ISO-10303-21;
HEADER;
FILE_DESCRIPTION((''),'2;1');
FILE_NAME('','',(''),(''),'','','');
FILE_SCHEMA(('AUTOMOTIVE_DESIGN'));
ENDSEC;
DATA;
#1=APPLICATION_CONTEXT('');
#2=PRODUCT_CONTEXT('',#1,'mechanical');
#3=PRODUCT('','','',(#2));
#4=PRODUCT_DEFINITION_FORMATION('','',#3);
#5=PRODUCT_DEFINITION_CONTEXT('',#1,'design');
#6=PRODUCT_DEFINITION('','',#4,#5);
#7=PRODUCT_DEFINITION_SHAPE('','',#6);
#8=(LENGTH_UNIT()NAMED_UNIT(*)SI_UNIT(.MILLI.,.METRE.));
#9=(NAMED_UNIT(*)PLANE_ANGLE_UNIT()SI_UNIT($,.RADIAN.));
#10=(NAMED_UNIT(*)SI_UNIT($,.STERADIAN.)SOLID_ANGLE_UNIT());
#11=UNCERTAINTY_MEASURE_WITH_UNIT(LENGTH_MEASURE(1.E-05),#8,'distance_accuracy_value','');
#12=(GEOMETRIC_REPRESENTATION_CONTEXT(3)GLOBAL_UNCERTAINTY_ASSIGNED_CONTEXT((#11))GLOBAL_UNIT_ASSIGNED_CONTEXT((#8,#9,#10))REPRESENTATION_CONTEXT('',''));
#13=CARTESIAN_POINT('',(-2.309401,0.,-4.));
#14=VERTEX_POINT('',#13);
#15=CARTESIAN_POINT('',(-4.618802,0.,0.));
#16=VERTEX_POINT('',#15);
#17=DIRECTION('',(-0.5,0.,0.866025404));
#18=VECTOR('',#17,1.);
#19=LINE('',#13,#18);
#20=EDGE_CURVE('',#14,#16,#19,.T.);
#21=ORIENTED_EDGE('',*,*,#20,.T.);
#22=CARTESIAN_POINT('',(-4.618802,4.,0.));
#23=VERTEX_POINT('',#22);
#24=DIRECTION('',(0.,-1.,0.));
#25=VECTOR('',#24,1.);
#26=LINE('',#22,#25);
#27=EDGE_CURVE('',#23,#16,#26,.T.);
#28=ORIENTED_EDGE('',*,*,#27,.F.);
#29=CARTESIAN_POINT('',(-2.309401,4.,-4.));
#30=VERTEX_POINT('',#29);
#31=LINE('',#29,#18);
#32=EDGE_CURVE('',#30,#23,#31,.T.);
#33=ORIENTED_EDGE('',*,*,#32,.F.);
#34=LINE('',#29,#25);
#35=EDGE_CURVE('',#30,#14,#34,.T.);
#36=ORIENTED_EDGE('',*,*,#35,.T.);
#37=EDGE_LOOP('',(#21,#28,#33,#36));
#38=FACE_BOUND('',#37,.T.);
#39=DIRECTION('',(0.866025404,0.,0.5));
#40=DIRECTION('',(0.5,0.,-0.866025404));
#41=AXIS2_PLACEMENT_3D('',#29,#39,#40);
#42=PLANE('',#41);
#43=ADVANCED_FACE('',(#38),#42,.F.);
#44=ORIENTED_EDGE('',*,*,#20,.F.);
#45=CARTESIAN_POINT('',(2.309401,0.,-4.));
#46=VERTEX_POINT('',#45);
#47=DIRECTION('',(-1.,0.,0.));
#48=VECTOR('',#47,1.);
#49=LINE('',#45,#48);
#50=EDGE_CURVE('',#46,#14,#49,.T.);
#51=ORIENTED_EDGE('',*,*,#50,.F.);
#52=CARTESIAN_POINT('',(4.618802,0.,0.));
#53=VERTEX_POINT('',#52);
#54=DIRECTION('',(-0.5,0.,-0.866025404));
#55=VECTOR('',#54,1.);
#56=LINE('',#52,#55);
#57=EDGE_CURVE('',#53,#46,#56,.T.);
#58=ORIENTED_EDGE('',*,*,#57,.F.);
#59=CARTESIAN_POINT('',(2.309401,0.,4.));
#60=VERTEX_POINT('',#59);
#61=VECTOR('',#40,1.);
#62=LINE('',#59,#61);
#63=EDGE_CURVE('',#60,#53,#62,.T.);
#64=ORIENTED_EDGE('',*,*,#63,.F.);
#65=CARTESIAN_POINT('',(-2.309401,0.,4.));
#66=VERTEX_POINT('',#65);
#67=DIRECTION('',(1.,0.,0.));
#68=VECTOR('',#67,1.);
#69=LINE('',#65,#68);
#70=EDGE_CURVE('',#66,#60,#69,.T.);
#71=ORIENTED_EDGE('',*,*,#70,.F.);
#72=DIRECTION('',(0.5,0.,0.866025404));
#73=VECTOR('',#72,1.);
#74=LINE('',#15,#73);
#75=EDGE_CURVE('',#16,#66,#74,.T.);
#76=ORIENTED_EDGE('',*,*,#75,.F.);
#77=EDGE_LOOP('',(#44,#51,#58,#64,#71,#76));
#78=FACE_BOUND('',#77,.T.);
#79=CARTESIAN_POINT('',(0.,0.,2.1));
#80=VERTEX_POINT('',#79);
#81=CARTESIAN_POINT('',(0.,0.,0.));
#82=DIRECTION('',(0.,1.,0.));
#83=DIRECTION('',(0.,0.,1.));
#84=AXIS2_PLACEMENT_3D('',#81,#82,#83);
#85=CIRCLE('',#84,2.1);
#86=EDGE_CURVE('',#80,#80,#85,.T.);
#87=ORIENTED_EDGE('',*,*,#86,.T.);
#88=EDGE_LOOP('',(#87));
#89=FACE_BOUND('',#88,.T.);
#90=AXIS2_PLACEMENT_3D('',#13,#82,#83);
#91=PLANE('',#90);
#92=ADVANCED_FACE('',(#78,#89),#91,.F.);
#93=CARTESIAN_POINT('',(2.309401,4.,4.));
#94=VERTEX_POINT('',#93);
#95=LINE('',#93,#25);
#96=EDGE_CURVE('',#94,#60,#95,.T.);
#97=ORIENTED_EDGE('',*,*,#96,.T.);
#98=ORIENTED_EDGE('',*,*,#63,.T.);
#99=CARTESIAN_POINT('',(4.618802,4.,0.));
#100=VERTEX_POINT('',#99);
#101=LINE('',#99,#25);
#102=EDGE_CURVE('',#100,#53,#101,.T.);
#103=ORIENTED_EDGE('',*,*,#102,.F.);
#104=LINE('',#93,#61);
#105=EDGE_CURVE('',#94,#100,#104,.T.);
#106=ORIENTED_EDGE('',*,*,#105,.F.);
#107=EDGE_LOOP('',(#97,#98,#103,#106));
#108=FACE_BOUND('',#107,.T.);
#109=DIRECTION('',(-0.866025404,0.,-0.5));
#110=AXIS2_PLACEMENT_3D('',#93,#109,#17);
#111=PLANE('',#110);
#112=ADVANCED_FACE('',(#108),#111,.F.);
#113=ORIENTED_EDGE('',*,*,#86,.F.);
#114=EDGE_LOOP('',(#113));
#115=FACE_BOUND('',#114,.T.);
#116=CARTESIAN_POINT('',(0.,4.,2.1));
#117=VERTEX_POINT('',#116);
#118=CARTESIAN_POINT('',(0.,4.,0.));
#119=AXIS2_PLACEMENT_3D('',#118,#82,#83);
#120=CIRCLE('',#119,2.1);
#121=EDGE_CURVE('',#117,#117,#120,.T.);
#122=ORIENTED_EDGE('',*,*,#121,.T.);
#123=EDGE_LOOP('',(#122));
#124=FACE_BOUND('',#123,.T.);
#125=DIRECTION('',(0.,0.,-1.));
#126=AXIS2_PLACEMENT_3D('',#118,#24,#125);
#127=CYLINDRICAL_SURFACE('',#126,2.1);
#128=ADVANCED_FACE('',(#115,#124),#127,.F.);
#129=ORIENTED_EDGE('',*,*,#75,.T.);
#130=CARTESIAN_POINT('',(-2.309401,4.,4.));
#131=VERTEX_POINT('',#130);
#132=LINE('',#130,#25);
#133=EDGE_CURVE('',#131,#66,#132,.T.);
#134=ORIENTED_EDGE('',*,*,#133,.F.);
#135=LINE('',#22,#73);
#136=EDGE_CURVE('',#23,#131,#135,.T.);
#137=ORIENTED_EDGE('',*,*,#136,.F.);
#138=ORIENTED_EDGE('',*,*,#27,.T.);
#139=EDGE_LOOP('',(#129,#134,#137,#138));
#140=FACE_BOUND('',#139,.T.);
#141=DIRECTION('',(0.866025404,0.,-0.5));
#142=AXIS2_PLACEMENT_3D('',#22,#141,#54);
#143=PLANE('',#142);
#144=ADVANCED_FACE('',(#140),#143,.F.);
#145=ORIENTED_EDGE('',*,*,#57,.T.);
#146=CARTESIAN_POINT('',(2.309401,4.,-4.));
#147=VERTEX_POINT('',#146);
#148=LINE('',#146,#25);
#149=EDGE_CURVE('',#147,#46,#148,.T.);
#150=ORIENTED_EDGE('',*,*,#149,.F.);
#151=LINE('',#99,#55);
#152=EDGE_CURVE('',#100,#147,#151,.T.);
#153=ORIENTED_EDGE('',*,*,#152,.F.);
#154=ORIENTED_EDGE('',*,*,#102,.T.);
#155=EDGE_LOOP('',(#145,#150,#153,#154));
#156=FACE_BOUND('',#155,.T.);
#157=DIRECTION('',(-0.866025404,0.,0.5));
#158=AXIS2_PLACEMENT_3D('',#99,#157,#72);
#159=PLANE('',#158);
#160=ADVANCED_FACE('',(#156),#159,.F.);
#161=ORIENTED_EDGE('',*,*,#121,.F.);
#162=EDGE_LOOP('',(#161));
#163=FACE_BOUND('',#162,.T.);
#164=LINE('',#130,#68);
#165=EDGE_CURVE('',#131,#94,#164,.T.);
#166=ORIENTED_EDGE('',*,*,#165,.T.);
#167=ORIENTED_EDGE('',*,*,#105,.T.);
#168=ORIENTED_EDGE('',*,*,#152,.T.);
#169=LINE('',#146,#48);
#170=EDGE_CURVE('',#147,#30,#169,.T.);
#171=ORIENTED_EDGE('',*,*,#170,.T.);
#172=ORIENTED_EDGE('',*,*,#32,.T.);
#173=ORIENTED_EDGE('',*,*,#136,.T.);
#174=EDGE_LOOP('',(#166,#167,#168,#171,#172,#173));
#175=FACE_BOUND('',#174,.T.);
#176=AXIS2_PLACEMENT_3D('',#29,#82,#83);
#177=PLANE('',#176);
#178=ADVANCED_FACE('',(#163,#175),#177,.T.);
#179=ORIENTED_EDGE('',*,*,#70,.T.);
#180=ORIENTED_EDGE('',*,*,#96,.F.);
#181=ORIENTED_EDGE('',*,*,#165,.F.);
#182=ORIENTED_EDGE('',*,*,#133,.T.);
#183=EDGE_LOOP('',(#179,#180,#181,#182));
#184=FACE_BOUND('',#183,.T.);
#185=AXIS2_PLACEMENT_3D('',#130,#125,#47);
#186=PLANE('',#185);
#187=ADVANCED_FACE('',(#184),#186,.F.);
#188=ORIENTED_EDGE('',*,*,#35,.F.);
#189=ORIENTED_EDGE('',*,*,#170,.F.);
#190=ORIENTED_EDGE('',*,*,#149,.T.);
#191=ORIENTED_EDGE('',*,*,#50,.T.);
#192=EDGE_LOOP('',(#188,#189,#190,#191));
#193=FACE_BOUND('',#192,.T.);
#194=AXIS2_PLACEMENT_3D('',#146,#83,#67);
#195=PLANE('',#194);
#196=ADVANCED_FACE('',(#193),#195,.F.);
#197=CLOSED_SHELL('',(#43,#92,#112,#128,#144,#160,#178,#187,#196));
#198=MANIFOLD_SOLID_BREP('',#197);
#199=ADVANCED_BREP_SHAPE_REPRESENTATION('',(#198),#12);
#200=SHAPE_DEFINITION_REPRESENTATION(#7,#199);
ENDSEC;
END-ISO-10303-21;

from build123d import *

# Parameters (mm, degrees)
CROQUIS1_R              = 2.1
SALIENTE_EXTRUIR1_DEPTH = 4


with BuildPart() as part:
    # Croquis1 → Saliente-Extruir1 (new body)
    with BuildSketch(Plane(origin=(0, 0, 0), x_dir=(1, 0, 0), z_dir=(0, 1, 0))):
        Polygon((-2.309401077, 4), (-4.618802154, 0), (-2.309401077, -4), (2.309401077, -4), (4.618802154, 0), (2.309401077, 4), align=None)
        Circle(CROQUIS1_R, mode=Mode.SUBTRACT)
    extrude(amount=SALIENTE_EXTRUIR1_DEPTH)


solid = part.part
